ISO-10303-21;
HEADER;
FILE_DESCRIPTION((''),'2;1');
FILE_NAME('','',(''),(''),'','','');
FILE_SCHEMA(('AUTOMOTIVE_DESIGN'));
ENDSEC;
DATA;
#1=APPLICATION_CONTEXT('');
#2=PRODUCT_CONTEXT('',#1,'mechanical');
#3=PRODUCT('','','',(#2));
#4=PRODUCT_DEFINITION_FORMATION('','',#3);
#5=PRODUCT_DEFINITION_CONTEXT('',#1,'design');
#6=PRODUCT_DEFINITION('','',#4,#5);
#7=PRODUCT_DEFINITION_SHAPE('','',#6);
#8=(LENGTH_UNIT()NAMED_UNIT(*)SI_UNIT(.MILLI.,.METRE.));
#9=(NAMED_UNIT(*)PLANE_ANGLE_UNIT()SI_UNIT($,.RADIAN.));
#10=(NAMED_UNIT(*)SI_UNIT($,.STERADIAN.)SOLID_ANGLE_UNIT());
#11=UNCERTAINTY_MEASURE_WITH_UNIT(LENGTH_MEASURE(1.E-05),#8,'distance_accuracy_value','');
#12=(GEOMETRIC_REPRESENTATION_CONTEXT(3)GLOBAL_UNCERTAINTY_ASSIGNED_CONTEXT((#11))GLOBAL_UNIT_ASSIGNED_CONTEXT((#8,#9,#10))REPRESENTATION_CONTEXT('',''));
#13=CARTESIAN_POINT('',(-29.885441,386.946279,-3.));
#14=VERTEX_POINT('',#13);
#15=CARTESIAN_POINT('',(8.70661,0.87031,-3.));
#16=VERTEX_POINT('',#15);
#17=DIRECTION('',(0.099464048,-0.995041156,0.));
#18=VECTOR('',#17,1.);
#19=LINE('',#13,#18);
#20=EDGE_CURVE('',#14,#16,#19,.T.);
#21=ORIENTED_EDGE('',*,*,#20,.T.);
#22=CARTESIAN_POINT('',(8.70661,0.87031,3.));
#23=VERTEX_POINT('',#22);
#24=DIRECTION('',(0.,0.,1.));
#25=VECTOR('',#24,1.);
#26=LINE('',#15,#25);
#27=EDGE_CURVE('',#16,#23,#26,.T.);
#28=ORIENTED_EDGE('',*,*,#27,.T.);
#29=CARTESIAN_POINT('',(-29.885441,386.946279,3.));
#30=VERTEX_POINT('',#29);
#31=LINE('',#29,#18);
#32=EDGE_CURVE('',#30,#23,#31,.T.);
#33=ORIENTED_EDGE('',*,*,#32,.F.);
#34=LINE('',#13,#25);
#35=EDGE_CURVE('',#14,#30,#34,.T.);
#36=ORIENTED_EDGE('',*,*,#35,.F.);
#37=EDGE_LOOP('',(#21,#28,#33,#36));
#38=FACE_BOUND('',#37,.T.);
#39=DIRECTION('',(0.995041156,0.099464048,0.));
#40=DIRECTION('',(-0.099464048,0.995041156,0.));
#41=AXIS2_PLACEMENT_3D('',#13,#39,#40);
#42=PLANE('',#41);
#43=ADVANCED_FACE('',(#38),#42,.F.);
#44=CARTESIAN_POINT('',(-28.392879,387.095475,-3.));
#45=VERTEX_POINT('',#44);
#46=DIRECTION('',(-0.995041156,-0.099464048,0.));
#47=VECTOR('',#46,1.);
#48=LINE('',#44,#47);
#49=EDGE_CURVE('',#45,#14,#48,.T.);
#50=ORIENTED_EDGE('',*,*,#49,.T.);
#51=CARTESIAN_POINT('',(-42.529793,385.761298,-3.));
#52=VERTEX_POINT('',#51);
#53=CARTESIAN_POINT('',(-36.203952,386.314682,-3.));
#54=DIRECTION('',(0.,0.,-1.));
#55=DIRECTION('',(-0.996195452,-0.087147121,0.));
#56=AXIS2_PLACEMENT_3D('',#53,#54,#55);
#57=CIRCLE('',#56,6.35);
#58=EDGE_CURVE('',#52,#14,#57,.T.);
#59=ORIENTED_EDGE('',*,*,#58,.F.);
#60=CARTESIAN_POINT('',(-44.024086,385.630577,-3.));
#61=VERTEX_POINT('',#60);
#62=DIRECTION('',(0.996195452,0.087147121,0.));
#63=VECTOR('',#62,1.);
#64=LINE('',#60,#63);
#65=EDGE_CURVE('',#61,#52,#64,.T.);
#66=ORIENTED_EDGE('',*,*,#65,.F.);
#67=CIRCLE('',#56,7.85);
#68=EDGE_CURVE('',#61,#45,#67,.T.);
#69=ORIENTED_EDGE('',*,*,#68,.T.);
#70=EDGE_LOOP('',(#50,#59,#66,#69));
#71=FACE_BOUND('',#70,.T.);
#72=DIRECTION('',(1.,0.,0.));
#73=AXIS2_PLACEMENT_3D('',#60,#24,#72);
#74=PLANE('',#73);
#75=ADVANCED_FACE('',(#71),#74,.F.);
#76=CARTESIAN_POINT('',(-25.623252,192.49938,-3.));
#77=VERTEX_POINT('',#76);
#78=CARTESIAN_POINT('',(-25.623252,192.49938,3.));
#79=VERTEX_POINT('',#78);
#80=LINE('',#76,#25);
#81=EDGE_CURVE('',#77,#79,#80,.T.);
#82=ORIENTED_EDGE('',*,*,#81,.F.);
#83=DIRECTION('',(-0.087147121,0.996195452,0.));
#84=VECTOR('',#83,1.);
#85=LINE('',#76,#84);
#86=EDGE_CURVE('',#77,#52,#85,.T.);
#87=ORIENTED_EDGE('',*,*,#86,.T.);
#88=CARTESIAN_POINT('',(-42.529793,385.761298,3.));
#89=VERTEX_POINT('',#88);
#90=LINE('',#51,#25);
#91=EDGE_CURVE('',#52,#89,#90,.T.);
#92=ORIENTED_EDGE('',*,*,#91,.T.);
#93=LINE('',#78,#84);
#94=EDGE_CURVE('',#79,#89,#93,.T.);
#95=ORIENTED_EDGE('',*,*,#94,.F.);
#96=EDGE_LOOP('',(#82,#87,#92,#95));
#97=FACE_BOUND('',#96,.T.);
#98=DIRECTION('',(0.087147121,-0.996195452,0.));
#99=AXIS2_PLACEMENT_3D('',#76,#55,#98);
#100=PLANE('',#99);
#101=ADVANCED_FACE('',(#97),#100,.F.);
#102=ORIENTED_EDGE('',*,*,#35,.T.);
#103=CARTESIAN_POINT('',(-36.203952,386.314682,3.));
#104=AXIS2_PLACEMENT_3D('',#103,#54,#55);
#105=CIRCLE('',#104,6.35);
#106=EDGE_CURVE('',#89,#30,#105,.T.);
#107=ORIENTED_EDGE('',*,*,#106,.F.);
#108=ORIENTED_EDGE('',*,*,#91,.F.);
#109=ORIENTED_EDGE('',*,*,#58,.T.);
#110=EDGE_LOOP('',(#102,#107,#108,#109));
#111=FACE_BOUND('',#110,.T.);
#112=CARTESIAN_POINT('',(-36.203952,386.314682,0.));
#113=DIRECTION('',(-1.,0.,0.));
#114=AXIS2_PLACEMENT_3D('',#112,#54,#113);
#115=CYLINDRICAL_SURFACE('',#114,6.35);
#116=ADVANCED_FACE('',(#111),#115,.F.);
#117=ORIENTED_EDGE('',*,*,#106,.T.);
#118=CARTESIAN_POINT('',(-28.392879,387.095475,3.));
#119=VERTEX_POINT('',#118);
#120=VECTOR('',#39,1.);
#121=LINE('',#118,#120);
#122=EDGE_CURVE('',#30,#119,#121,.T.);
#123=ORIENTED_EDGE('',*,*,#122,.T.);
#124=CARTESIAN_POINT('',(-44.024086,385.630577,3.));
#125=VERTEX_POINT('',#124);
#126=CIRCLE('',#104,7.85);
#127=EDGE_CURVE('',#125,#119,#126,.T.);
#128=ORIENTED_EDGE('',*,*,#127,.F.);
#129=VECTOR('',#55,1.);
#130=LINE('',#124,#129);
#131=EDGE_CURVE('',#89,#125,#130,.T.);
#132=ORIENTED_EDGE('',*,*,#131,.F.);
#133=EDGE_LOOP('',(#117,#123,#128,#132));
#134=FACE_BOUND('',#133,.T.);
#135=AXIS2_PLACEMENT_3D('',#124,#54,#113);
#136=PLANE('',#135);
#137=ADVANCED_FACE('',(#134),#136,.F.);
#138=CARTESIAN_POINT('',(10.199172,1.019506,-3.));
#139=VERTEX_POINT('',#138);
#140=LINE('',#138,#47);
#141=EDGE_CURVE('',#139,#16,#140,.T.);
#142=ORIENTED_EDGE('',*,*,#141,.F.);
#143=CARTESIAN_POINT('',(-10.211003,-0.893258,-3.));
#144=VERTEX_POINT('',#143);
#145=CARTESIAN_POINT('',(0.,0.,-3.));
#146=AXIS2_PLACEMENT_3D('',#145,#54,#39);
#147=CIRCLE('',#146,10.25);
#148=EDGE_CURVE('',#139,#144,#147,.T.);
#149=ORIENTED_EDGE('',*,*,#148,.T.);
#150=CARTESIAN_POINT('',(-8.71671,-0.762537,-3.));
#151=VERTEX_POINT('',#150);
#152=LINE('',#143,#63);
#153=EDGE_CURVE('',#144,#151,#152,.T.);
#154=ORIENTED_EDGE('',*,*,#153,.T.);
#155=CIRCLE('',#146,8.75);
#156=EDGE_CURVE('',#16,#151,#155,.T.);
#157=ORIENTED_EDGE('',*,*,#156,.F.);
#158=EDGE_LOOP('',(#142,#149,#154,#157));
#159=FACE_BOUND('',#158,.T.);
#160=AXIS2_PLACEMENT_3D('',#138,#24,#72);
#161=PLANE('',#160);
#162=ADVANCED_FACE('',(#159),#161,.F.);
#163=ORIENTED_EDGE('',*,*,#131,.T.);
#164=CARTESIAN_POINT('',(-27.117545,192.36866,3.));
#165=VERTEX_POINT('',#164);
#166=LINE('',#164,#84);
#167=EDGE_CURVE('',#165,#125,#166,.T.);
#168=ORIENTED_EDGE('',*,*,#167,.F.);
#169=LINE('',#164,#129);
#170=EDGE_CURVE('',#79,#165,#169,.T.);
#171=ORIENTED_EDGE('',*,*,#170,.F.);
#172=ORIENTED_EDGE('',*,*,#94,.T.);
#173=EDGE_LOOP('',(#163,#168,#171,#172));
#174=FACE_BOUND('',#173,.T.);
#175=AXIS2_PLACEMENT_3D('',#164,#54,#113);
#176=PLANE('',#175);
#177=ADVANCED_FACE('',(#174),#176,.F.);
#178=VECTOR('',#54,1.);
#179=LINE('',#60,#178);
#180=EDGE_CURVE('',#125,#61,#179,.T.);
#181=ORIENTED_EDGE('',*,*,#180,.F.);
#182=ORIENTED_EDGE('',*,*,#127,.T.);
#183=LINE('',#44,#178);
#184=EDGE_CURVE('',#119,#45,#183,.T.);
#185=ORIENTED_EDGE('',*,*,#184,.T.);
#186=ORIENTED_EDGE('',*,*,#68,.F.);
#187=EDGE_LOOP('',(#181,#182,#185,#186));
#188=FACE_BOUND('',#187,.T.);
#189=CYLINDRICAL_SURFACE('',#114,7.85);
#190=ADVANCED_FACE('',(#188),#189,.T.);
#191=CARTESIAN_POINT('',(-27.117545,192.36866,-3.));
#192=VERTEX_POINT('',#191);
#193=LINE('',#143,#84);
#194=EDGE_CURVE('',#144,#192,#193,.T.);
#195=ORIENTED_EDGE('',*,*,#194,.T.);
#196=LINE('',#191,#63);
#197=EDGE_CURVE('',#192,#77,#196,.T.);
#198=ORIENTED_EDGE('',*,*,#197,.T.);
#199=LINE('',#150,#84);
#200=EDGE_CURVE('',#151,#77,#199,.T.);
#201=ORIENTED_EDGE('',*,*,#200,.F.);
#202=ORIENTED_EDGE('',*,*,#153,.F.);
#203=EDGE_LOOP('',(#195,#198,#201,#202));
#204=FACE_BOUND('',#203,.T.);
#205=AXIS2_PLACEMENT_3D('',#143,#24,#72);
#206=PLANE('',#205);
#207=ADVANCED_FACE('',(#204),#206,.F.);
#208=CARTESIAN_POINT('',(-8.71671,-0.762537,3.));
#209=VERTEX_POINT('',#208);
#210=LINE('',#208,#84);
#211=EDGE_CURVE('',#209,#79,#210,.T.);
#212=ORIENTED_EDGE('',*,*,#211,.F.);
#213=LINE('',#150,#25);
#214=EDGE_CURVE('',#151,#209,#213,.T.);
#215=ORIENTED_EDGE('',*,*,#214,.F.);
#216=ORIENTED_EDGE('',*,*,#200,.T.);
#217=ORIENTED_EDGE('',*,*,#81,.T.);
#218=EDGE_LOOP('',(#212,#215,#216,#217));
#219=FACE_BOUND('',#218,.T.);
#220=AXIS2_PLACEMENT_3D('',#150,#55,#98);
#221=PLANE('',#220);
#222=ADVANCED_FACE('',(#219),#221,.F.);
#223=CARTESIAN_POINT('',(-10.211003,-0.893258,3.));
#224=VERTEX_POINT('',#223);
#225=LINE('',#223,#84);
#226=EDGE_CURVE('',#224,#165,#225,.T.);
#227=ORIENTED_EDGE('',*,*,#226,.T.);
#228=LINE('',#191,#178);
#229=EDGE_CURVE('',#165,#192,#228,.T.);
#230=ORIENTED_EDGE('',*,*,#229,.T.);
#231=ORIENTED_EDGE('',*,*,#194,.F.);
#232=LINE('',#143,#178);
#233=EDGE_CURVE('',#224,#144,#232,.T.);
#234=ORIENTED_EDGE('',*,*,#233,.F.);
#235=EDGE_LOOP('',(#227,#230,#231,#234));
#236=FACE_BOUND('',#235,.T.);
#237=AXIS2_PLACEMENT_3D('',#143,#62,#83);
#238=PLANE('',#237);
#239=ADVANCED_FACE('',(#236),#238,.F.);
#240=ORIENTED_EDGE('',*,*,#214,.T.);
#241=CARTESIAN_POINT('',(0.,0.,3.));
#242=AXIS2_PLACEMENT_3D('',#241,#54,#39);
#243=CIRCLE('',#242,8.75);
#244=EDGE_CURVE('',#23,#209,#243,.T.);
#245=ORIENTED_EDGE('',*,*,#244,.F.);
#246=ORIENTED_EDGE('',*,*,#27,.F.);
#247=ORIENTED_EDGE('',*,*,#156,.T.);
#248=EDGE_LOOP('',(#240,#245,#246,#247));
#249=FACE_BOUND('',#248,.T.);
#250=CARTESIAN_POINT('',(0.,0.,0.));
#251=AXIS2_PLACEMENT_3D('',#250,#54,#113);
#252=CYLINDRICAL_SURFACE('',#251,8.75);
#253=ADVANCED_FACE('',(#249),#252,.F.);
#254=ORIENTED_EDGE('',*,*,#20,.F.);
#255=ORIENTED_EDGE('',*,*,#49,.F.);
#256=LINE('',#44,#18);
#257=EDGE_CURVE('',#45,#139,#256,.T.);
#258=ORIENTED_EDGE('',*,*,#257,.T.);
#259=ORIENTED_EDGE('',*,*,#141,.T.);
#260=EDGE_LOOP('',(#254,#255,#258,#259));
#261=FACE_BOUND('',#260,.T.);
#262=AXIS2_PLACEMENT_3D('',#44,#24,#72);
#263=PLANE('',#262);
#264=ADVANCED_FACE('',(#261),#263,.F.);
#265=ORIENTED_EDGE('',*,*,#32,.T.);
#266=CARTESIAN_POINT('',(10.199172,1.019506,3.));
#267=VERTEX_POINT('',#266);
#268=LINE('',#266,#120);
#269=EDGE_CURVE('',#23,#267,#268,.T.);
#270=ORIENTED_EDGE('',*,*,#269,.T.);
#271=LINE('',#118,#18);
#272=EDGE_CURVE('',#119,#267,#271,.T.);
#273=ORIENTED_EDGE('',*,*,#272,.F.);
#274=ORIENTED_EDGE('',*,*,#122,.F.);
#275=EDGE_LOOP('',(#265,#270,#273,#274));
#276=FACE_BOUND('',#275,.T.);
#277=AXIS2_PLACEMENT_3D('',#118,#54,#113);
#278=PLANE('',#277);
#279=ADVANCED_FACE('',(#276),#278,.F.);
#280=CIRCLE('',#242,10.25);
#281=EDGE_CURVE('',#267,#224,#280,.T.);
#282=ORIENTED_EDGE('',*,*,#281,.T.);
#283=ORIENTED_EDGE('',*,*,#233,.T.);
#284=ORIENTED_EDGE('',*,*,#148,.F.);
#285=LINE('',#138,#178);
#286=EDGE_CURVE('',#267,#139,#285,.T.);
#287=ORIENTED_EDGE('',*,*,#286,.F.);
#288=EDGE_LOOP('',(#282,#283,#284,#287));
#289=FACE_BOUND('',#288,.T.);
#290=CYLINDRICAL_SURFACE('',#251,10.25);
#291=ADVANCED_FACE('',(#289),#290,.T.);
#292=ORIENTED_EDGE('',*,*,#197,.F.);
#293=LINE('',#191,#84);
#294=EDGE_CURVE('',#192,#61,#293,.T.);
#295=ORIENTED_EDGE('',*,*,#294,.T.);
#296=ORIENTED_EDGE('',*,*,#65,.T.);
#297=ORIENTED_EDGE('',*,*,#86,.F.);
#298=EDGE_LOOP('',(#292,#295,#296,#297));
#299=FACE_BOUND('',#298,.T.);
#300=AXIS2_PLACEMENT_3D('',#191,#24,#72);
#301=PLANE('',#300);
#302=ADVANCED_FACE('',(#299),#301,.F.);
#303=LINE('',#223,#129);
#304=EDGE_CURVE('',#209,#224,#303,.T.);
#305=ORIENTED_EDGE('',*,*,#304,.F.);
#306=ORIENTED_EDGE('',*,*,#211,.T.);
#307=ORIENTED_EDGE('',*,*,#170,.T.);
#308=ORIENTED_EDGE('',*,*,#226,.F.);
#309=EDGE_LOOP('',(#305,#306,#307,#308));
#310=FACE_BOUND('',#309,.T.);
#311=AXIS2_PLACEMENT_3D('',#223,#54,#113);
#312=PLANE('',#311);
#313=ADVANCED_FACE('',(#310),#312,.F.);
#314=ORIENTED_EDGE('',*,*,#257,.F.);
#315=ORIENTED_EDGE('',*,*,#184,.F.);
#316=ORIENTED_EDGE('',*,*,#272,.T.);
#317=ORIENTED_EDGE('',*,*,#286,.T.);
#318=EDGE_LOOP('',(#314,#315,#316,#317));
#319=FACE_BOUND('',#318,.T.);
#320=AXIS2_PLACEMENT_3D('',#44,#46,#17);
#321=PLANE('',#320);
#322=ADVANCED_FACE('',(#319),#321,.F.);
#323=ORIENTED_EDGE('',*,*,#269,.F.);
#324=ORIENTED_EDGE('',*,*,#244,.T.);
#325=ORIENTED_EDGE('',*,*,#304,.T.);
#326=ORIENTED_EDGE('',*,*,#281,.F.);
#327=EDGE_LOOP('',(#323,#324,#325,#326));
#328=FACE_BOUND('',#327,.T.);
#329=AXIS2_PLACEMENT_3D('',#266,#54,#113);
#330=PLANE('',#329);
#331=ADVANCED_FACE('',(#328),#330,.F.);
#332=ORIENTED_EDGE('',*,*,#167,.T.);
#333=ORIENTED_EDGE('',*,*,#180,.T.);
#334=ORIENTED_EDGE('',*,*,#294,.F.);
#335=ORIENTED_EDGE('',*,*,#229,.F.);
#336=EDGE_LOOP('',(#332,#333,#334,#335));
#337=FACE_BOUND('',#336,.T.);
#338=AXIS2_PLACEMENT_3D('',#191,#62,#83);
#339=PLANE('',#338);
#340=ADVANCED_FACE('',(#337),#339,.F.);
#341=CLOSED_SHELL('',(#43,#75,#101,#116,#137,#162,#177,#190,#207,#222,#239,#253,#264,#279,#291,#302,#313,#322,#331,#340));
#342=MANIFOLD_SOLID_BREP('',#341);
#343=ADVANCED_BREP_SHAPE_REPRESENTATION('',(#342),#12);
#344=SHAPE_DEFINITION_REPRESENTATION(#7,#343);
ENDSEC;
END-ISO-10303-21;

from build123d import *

# Parameters (mm, degrees)
SKETCH2_W = 1.5
SKETCH2_H = 6


with BuildPart() as part:
    # Sweep1: sweep along a path in Sketch1
    with BuildLine(Plane.XY) as sweep1_path:
        Line((-42.529793069, 385.761298089), (-8.716710208, -0.762537307))
        ThreePointArc((-8.716710208, -0.762537307), (0.816439483, -8.711826822), (8.706610119, 0.870310423))
        Line((8.706610119, 0.870310423), (-29.885440603, 386.946279013))
        ThreePointArc((-29.885440603, 386.946279013), (-36.796453743, 392.636979485), (-42.529793069, 385.761298089))
    # Sketch2 → Sweep1 (sweep)
    with BuildSketch(Plane(origin=(-25.623251639, 192.499380391, 0), x_dir=(-0.996195452, -0.087147121, 0), z_dir=(0.087147121, -0.996195452, 0))):
        with Locations((0.75, 0)):
            Rectangle(SKETCH2_W, SKETCH2_H)
    sweep(path=sweep1_path.line)


solid = part.part
